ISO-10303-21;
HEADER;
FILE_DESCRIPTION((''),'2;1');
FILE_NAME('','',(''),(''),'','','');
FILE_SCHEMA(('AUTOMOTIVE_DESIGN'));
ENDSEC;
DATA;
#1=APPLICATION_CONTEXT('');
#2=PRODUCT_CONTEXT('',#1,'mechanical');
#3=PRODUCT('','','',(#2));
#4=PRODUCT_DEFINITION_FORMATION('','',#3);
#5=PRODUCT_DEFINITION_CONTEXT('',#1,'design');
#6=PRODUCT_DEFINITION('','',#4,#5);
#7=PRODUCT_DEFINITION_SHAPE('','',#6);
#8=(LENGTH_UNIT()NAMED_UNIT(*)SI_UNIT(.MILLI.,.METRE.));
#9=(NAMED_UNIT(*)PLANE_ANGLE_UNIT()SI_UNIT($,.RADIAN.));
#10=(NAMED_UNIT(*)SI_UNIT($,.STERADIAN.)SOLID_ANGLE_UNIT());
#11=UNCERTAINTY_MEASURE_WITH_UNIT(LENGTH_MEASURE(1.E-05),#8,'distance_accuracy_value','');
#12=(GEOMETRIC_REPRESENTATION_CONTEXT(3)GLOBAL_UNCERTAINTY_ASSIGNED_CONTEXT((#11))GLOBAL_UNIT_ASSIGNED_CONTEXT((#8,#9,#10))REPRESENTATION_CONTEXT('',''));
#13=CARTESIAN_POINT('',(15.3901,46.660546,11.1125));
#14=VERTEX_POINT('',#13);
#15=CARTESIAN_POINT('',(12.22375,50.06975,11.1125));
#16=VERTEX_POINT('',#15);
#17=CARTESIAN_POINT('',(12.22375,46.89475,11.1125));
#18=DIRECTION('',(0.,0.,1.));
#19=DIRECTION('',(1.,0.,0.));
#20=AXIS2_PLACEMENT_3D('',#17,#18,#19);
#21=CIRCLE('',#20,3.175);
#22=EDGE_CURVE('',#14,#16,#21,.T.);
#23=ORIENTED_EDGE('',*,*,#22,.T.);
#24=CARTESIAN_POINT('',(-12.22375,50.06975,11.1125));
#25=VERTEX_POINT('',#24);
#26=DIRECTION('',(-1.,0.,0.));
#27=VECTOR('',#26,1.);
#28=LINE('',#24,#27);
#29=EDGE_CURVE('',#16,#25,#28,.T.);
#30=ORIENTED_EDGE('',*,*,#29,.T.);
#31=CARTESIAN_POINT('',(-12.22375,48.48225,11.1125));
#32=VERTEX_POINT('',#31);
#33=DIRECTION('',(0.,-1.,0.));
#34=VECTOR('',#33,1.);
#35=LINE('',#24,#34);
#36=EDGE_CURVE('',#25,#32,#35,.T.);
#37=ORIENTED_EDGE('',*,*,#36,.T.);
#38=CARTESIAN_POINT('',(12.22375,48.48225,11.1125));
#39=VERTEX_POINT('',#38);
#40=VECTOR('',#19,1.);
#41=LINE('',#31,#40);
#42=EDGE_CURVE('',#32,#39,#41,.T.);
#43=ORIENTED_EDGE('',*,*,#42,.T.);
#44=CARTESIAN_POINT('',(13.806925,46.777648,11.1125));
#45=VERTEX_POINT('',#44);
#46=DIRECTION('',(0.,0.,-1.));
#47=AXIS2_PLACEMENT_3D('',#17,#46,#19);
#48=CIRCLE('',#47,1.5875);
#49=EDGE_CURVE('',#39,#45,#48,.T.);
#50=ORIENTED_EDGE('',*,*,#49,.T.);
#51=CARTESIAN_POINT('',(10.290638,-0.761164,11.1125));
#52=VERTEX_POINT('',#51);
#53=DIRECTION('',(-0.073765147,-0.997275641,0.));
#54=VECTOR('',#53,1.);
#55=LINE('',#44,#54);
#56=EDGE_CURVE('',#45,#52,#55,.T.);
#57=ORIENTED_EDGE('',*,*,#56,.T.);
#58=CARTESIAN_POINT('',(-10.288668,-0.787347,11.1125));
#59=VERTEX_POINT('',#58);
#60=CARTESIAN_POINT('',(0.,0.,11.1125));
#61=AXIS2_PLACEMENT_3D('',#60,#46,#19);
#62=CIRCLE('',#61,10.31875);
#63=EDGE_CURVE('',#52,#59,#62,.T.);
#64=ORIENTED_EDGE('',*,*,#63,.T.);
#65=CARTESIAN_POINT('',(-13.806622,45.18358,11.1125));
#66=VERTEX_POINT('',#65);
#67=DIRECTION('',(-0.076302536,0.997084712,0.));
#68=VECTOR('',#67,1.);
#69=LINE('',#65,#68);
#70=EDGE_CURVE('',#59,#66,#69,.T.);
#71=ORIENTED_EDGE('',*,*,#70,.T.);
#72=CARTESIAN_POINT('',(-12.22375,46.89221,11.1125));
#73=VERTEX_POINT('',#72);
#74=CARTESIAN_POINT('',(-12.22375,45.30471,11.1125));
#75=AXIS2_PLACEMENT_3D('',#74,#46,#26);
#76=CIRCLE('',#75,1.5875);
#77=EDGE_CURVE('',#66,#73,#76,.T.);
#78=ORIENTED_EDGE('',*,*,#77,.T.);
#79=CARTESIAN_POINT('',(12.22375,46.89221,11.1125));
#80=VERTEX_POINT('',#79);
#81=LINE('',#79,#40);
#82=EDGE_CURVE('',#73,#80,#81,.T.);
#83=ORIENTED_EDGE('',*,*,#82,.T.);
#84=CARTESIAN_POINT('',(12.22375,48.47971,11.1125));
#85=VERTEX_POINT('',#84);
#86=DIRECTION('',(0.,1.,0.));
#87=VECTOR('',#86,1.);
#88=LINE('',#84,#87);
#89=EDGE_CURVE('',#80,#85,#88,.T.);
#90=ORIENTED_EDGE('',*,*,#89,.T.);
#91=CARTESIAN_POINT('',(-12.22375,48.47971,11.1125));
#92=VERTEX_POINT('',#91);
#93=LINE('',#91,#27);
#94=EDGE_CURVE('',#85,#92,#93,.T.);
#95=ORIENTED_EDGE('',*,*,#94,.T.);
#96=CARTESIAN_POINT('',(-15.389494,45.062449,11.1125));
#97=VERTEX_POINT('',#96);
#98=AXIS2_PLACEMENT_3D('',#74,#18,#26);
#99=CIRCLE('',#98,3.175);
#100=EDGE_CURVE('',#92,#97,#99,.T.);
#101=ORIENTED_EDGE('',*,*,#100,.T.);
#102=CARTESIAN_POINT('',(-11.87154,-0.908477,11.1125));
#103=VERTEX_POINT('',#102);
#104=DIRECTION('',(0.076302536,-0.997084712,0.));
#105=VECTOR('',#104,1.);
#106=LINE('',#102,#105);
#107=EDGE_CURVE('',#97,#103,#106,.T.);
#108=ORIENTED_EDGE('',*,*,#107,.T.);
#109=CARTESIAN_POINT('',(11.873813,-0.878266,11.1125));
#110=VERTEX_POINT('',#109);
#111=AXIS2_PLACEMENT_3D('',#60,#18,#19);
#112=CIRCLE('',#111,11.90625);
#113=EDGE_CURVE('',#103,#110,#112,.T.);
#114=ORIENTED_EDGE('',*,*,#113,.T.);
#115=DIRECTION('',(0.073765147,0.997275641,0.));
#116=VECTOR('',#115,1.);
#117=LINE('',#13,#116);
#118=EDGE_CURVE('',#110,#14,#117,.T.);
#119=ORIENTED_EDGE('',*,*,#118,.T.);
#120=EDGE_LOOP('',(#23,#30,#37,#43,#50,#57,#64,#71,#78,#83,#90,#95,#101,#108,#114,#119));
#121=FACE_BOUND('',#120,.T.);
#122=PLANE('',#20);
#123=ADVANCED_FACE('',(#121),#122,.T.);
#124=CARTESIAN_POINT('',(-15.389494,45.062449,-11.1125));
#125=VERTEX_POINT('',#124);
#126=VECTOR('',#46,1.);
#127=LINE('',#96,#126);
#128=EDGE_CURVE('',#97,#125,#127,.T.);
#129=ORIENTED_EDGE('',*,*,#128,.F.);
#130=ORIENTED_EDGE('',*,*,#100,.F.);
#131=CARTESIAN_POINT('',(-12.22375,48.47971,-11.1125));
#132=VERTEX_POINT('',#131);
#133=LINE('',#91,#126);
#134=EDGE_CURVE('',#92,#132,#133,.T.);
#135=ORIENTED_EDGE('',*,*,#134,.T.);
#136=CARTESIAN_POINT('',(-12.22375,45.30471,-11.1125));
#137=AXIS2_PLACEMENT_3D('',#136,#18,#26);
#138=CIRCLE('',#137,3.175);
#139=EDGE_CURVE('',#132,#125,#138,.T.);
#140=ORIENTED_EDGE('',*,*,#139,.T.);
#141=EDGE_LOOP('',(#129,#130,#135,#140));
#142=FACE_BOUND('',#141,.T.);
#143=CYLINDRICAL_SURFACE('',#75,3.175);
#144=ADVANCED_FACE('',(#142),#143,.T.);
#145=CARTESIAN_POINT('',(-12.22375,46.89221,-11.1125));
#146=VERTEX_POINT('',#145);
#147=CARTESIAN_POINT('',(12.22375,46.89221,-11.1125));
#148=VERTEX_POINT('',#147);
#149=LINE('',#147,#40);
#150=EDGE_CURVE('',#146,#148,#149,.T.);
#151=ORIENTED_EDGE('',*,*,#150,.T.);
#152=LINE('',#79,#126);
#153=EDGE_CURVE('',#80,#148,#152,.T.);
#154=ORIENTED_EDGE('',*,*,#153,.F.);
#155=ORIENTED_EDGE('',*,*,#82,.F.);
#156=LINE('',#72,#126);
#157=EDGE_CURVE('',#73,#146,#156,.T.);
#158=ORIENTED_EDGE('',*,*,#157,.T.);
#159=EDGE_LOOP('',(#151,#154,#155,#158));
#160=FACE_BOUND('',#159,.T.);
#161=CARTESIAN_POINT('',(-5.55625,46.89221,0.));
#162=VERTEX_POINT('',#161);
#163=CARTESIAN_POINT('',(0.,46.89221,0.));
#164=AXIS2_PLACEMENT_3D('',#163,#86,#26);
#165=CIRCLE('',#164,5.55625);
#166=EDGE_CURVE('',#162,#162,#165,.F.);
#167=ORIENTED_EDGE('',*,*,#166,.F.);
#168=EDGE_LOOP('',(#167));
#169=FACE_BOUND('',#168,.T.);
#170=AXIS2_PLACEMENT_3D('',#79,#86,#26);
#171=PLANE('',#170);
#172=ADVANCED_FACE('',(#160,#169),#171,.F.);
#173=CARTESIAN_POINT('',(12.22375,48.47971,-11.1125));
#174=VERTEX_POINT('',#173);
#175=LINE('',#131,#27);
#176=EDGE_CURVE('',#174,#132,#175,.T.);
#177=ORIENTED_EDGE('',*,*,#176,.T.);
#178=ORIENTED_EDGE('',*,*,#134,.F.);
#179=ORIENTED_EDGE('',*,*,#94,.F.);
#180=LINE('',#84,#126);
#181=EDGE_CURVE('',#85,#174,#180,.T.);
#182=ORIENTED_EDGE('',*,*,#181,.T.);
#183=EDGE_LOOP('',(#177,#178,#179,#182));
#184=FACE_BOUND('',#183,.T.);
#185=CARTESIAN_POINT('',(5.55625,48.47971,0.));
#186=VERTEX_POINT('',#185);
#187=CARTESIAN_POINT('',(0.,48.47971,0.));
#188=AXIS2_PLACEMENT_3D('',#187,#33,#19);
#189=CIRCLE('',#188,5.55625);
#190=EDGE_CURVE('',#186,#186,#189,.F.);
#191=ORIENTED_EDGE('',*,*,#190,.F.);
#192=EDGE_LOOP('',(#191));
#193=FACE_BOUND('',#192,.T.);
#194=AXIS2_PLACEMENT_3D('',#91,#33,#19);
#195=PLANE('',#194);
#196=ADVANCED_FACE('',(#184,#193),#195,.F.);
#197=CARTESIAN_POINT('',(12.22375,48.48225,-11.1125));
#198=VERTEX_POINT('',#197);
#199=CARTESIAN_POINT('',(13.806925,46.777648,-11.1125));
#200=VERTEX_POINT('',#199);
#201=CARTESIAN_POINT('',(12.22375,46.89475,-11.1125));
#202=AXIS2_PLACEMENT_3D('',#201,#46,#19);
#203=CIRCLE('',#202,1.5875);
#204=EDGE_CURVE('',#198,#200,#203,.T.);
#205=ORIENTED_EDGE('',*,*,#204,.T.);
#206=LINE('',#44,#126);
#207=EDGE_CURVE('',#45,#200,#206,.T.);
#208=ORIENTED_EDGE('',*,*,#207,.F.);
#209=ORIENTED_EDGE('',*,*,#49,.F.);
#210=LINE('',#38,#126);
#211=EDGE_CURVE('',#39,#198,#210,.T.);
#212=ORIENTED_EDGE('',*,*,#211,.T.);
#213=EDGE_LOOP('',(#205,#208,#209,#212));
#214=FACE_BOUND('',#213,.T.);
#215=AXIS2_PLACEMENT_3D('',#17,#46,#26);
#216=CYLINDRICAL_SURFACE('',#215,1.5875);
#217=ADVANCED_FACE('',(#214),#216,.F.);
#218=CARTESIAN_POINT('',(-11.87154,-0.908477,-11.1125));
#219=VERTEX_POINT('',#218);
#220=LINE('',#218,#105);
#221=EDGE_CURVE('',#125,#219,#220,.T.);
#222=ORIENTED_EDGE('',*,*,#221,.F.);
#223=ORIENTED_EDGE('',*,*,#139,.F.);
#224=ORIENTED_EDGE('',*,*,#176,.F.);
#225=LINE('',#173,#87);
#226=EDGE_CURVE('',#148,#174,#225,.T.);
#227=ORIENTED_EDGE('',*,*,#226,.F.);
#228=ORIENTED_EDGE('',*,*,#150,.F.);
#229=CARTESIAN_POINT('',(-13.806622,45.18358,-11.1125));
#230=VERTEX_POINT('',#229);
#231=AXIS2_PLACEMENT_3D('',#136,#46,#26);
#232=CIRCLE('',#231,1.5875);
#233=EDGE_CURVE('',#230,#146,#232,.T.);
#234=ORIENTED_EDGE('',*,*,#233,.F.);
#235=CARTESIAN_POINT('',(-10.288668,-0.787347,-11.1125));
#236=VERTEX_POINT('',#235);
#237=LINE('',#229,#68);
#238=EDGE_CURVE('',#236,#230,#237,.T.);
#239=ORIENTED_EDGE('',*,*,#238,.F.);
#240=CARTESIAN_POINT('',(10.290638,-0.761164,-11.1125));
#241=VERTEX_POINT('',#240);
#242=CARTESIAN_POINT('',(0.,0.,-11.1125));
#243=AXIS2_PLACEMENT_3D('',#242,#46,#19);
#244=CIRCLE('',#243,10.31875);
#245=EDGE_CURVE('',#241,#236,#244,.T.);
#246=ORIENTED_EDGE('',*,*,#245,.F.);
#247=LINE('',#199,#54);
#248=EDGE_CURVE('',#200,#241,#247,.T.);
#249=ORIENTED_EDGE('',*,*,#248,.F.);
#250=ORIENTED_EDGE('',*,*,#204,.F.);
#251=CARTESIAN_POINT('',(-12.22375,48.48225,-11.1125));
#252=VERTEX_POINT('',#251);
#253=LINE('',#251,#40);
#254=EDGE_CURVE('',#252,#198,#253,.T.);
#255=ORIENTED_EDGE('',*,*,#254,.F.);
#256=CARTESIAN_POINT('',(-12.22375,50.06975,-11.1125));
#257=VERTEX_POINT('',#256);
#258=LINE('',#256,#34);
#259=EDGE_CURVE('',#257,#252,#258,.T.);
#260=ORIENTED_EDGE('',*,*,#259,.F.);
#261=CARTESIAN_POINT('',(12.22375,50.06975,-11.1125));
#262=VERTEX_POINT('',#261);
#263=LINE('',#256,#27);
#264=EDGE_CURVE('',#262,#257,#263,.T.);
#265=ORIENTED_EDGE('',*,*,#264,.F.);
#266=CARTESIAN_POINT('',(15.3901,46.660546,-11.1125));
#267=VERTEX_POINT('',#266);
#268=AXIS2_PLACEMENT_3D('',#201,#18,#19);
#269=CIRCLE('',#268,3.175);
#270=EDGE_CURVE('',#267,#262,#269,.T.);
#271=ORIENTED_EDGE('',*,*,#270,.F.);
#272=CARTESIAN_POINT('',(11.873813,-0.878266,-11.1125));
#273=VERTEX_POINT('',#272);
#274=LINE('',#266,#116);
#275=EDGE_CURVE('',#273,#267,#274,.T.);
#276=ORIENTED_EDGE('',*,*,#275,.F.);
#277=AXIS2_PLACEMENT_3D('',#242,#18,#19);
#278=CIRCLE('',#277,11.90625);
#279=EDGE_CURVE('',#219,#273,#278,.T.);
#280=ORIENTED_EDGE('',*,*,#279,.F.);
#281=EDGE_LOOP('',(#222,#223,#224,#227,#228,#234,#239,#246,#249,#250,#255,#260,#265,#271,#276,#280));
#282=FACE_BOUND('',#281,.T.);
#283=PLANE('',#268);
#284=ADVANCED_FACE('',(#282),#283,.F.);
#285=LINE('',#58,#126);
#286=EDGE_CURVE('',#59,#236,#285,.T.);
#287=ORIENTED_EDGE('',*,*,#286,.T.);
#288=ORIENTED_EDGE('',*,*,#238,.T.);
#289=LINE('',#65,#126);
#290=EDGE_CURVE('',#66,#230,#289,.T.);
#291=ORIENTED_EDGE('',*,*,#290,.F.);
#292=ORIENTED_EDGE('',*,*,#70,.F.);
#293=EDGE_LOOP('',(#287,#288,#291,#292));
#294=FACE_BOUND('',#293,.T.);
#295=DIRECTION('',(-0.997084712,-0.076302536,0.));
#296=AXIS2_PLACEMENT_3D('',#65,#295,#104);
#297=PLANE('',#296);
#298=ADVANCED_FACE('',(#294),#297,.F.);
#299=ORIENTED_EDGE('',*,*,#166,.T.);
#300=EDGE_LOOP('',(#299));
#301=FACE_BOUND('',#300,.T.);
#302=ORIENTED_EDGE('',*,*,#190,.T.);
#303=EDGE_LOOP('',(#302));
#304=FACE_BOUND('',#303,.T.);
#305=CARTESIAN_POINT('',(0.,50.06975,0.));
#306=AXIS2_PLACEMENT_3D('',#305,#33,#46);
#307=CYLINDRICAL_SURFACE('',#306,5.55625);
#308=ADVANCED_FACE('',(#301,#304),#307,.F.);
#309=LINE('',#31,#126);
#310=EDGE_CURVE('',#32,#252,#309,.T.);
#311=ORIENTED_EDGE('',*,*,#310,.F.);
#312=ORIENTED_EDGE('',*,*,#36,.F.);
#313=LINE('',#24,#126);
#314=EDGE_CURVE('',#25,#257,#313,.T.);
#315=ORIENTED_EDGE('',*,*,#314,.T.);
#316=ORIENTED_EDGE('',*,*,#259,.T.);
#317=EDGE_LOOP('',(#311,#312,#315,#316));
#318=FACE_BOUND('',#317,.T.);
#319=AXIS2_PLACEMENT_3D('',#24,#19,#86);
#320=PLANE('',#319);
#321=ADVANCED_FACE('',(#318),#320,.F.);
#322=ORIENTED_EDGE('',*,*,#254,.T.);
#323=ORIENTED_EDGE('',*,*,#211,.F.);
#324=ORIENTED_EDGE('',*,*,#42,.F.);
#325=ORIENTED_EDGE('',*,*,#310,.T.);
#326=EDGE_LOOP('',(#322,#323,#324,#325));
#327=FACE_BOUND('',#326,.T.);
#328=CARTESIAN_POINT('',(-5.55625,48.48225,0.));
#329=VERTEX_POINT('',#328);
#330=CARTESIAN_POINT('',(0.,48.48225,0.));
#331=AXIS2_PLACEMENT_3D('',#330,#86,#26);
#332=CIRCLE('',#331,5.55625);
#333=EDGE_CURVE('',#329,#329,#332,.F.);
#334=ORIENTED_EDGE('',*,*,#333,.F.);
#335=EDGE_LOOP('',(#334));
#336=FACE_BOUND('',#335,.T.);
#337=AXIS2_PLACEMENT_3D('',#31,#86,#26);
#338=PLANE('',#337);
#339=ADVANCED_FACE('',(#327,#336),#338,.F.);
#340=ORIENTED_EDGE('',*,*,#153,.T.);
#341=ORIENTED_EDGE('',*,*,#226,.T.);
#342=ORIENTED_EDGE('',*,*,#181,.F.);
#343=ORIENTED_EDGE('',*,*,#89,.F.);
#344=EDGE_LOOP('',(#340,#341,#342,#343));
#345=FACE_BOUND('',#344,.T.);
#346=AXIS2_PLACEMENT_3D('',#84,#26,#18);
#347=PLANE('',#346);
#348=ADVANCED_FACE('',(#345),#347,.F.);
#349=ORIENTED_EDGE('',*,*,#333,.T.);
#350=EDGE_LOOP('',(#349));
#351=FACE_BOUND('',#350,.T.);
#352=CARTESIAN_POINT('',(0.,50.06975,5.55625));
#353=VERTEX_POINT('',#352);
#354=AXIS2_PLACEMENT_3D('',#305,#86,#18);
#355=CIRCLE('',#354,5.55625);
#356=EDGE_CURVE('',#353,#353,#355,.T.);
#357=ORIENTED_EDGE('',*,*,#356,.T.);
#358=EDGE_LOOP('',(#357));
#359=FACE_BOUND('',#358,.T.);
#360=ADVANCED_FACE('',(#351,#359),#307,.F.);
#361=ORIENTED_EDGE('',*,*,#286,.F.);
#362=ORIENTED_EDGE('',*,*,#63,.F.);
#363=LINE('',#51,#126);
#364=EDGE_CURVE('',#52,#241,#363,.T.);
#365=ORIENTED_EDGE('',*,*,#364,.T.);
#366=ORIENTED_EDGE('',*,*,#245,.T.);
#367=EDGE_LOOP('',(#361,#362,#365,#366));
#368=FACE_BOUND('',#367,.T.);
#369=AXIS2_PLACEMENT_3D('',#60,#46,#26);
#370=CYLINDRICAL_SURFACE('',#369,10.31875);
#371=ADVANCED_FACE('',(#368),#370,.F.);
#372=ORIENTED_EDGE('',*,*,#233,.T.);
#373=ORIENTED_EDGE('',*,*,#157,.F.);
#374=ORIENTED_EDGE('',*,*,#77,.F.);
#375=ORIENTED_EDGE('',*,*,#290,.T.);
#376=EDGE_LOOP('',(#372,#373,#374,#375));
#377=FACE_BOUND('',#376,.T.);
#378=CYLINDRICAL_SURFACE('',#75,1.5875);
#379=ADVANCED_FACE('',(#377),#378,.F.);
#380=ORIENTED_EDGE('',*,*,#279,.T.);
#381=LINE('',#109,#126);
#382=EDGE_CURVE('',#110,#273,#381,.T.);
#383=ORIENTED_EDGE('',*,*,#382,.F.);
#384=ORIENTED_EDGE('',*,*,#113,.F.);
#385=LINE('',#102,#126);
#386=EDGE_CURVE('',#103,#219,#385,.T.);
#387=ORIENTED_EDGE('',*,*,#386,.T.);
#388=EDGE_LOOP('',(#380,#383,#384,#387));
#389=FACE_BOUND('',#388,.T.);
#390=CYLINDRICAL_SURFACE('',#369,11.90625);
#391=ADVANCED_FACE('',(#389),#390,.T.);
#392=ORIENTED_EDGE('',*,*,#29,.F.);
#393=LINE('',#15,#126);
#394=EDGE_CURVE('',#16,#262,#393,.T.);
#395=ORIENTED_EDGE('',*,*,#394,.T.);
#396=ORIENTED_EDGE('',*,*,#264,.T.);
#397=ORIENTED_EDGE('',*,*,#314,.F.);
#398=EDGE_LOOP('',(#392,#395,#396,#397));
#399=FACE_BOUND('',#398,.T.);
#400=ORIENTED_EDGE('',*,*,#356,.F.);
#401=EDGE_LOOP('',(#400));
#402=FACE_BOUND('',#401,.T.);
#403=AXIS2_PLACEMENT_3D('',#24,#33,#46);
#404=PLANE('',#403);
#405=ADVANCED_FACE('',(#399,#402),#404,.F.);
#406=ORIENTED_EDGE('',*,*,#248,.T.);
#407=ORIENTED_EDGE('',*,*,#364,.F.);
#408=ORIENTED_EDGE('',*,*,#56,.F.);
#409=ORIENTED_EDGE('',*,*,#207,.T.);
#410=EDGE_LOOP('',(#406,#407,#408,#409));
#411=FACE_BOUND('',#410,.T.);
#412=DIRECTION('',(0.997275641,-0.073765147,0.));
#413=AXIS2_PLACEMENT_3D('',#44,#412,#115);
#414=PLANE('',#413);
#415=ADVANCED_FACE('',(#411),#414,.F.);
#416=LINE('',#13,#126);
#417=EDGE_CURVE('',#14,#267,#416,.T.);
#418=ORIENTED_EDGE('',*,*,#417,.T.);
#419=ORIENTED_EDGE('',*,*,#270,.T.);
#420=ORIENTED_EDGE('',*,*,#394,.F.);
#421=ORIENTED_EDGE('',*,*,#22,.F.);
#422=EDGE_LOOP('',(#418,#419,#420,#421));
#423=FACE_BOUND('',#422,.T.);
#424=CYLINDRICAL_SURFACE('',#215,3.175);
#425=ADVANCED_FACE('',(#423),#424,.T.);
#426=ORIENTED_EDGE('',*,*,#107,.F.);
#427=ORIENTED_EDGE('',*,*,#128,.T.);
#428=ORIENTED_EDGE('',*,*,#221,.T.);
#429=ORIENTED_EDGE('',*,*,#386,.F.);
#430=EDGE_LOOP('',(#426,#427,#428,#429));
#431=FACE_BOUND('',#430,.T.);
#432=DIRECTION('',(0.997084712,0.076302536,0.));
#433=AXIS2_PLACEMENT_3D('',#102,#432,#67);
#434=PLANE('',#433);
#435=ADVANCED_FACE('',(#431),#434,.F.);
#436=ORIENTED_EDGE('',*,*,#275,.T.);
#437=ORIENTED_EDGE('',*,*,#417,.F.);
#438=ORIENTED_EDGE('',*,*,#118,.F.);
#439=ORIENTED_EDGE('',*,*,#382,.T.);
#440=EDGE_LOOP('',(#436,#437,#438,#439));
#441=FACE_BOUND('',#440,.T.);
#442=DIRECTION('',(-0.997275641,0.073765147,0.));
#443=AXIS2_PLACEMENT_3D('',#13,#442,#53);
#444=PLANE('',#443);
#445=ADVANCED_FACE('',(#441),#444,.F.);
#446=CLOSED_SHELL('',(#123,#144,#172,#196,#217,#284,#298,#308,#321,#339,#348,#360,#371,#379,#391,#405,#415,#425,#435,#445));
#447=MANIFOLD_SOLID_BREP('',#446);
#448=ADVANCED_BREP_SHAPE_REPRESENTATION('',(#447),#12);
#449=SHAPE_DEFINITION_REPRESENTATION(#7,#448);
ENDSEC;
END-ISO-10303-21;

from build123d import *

# Parameters (mm, degrees)
BOSS_EXTRUDE1_DEPTH = 11.1125
SKETCH2_R           = 5.55625
CUT_EXTRUDE1_DEPTH  = 54.549874163


with BuildPart() as part:
    # Sketch1 → Boss-Extrude1 (new, symmetric)
    with BuildSketch(Plane.XY):
        with BuildLine():
            Line((-12.22375, 50.06975), (12.22375, 50.06975))
            ThreePointArc((12.22375, 50.06975), (14.550144612, 49.055424226), (15.390100159, 46.660545659))
            Line((15.390100159, 46.660545659), (11.873813095, -0.878266277))
            ThreePointArc((11.873813095, -0.878266277), (0.015148097, -11.906240364), (-11.871539853, -0.908477065))
            Line((-11.871539853, -0.908477065), (-15.389493961, 45.062449449))
            ThreePointArc((-15.389493961, 45.062449449), (-14.552891714, 47.462422649), (-12.22375, 48.47971))
            Line((-12.22375, 48.47971), (12.22375, 48.47971))
            Line((12.22375, 48.47971), (12.22375, 46.89221))
            Line((12.22375, 46.89221), (-12.22375, 46.89221))
            ThreePointArc((-12.22375, 46.89221), (-13.388320857, 46.383566325), (-13.80662198, 45.183579725))
            Line((-13.80662198, 45.183579725), (-10.288667873, -0.78734679))
            ThreePointArc((-10.288667873, -0.78734679), (0.01312835, -10.318741649), (10.290638015, -0.761164107))
            Line((10.290638015, -0.761164107), (13.806925079, 46.77764783))
            ThreePointArc((13.806925079, 46.77764783), (13.386947306, 47.975087113), (12.22375, 48.48225))
            Line((12.22375, 48.48225), (-12.22375, 48.48225))
            Line((-12.22375, 48.48225), (-12.22375, 50.06975))
        make_face()
    extrude(amount=BOSS_EXTRUDE1_DEPTH, both=True)

    # Sketch2 → Cut-Extrude1 (cut, through all)
    with BuildSketch(Plane(origin=(0, 0, 0), x_dir=(1, 0, 0), z_dir=(0, 1, 0))):
        with Locations(Location((0, 0, 0), (0, 0, 180))):
            Circle(SKETCH2_R)
    extrude(amount=CUT_EXTRUDE1_DEPTH, mode=Mode.SUBTRACT)


solid = part.part
